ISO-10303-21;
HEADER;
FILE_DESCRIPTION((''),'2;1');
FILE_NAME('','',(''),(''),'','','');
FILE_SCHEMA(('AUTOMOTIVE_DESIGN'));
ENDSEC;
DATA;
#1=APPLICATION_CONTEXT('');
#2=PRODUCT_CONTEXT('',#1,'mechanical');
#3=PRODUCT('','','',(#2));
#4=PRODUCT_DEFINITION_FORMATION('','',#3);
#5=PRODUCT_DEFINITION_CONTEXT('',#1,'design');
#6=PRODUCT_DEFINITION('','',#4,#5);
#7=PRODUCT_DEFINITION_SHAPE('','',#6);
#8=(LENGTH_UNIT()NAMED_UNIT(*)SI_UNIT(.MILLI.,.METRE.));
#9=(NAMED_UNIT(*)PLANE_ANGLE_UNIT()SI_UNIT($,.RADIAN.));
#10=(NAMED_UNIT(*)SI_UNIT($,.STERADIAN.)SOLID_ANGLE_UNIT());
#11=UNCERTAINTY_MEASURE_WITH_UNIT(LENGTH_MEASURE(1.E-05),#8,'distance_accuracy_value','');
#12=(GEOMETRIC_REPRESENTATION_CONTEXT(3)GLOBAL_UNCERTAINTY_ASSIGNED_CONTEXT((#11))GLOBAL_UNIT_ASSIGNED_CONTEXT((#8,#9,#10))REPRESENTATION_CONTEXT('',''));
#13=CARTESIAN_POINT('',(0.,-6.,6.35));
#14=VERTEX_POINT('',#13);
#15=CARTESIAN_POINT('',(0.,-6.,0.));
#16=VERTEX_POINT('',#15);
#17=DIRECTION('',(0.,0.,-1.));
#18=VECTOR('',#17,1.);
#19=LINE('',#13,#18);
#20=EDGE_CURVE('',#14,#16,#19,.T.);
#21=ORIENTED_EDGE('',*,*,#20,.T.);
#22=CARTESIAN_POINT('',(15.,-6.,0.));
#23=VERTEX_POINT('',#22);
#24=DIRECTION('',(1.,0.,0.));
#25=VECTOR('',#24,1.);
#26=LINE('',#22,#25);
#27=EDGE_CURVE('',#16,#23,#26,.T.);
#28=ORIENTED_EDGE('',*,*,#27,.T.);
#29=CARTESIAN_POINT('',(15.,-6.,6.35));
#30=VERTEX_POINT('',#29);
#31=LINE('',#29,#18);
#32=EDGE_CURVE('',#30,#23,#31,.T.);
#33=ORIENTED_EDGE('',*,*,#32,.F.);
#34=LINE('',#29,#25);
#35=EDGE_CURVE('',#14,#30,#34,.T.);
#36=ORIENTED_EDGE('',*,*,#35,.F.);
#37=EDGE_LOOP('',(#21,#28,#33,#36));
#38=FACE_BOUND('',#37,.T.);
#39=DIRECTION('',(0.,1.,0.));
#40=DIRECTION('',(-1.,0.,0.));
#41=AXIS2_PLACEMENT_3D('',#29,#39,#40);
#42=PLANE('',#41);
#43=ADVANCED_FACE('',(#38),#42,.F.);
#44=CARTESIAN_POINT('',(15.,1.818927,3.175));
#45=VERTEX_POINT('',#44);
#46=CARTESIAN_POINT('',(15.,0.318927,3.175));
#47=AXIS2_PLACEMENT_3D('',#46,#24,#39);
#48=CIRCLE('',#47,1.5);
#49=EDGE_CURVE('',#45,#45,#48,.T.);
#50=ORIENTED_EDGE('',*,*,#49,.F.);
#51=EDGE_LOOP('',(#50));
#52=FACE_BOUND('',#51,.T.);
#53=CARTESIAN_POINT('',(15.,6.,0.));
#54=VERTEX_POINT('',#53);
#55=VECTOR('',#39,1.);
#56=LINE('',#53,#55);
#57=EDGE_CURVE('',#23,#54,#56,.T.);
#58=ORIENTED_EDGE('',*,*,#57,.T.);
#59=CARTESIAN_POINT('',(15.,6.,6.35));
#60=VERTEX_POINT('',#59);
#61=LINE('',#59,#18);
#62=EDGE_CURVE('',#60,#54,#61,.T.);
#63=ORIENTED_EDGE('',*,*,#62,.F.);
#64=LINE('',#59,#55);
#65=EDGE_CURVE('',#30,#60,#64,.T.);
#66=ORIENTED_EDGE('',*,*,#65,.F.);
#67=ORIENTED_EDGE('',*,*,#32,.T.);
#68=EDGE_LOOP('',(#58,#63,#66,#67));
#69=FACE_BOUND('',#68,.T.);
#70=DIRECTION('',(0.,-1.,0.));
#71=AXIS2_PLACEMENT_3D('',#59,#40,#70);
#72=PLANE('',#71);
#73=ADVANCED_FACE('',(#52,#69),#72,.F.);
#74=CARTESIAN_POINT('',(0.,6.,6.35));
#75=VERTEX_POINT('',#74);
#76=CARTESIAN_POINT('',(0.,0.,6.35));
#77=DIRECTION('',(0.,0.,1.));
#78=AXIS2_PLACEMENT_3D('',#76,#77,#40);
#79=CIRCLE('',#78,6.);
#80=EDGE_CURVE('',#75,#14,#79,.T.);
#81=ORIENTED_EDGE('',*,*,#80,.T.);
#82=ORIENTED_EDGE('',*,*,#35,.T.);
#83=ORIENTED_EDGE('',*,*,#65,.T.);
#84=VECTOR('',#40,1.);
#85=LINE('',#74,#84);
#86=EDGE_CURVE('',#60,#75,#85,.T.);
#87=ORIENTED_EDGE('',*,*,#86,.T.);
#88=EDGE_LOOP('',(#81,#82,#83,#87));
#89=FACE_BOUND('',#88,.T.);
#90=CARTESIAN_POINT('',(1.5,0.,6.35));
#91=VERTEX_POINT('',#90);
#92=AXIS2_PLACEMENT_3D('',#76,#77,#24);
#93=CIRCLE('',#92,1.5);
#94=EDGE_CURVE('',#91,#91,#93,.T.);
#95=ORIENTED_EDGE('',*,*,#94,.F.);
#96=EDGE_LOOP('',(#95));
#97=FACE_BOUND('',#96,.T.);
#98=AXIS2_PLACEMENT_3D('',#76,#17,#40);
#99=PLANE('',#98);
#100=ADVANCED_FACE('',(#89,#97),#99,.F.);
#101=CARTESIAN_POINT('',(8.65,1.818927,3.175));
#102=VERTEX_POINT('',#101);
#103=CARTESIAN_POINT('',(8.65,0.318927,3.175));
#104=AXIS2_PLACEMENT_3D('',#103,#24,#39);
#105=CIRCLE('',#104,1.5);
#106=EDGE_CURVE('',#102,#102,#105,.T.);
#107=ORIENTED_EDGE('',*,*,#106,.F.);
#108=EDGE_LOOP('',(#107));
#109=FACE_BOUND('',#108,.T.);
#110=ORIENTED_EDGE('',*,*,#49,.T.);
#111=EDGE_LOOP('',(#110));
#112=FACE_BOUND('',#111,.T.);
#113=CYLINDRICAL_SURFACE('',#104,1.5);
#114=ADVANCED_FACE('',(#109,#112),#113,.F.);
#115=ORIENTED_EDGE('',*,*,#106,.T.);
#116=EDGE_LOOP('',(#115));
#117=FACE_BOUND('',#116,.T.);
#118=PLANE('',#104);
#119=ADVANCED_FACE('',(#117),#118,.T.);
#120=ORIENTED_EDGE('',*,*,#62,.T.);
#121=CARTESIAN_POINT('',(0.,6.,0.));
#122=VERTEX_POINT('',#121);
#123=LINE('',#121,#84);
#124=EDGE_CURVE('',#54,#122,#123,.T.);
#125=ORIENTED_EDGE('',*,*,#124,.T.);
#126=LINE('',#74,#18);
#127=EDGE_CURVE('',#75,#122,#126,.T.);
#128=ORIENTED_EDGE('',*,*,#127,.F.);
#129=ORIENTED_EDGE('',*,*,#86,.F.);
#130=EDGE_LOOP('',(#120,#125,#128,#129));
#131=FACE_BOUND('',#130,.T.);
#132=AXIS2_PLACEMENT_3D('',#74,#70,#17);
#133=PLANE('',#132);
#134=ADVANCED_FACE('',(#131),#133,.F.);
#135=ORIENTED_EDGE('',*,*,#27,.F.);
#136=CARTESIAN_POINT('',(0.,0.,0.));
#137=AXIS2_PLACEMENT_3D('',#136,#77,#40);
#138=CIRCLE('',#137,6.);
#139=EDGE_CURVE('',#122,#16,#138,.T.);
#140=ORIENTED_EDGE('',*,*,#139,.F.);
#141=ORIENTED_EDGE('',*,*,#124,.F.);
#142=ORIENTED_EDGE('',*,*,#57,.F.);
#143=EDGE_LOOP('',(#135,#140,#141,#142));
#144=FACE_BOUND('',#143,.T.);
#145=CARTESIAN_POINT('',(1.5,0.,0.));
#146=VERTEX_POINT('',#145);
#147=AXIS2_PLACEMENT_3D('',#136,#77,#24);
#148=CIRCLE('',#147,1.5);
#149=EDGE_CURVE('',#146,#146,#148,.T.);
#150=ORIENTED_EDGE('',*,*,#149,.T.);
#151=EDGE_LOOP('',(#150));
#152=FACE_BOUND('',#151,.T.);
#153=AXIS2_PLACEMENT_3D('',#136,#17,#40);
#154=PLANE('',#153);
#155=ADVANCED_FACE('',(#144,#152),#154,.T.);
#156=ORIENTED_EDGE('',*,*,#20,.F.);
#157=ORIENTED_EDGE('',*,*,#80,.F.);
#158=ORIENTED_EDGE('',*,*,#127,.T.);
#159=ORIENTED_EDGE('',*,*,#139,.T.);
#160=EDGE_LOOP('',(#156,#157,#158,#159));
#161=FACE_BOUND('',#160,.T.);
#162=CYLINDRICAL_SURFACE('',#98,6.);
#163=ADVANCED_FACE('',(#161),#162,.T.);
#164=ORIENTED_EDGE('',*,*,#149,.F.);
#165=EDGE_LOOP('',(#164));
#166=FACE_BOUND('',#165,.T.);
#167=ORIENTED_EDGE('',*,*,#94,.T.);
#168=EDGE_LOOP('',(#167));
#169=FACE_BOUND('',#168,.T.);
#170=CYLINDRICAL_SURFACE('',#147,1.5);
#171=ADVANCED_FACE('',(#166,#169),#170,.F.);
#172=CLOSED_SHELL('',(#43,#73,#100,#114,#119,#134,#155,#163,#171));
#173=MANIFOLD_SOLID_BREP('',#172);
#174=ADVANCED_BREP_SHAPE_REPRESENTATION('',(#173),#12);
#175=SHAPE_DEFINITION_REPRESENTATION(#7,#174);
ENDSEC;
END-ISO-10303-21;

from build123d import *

# Parameters (mm, degrees)
BOSS_EXTRU_1_DEPTH      = 6.35
ESQUISSE3_R             = 1.5
ENL_V_MAT_EXTRU_1_DEPTH = 6.35
ESQUISSE4_R             = 1.5
ENL_V_MAT_EXTRU_2_DEPTH = 6.35


with BuildPart() as part:
    # Esquisse2 → Boss.-Extru.1 (new body)
    with BuildSketch(Plane.XY):
        with BuildLine():
            Line((0, 6), (15, 6))
            Line((15, 6), (15, -6))
            Line((15, -6), (0, -6))
            ThreePointArc((0, -6), (-6, 0), (0, 6))
        make_face()
    extrude(amount=BOSS_EXTRU_1_DEPTH)

    # Esquisse3 → Enlèv. mat.-Extru.1 (cut)
    with BuildSketch(Plane(origin=(15, 0, 0), x_dir=(0, 0, -1), z_dir=(1, 0, 0))):
        with Locations(Location((-3.175, 0.318926735, 0), (0, 0, 90))):
            Circle(ESQUISSE3_R)
    extrude(amount=-ENL_V_MAT_EXTRU_1_DEPTH, mode=Mode.SUBTRACT)

    # Esquisse4 → Enlèv. mat.-Extru.2 (cut)
    with BuildSketch(Plane.XY.offset(6.35)):
        Circle(ESQUISSE4_R)
    extrude(amount=-ENL_V_MAT_EXTRU_2_DEPTH, mode=Mode.SUBTRACT)


solid = part.part
